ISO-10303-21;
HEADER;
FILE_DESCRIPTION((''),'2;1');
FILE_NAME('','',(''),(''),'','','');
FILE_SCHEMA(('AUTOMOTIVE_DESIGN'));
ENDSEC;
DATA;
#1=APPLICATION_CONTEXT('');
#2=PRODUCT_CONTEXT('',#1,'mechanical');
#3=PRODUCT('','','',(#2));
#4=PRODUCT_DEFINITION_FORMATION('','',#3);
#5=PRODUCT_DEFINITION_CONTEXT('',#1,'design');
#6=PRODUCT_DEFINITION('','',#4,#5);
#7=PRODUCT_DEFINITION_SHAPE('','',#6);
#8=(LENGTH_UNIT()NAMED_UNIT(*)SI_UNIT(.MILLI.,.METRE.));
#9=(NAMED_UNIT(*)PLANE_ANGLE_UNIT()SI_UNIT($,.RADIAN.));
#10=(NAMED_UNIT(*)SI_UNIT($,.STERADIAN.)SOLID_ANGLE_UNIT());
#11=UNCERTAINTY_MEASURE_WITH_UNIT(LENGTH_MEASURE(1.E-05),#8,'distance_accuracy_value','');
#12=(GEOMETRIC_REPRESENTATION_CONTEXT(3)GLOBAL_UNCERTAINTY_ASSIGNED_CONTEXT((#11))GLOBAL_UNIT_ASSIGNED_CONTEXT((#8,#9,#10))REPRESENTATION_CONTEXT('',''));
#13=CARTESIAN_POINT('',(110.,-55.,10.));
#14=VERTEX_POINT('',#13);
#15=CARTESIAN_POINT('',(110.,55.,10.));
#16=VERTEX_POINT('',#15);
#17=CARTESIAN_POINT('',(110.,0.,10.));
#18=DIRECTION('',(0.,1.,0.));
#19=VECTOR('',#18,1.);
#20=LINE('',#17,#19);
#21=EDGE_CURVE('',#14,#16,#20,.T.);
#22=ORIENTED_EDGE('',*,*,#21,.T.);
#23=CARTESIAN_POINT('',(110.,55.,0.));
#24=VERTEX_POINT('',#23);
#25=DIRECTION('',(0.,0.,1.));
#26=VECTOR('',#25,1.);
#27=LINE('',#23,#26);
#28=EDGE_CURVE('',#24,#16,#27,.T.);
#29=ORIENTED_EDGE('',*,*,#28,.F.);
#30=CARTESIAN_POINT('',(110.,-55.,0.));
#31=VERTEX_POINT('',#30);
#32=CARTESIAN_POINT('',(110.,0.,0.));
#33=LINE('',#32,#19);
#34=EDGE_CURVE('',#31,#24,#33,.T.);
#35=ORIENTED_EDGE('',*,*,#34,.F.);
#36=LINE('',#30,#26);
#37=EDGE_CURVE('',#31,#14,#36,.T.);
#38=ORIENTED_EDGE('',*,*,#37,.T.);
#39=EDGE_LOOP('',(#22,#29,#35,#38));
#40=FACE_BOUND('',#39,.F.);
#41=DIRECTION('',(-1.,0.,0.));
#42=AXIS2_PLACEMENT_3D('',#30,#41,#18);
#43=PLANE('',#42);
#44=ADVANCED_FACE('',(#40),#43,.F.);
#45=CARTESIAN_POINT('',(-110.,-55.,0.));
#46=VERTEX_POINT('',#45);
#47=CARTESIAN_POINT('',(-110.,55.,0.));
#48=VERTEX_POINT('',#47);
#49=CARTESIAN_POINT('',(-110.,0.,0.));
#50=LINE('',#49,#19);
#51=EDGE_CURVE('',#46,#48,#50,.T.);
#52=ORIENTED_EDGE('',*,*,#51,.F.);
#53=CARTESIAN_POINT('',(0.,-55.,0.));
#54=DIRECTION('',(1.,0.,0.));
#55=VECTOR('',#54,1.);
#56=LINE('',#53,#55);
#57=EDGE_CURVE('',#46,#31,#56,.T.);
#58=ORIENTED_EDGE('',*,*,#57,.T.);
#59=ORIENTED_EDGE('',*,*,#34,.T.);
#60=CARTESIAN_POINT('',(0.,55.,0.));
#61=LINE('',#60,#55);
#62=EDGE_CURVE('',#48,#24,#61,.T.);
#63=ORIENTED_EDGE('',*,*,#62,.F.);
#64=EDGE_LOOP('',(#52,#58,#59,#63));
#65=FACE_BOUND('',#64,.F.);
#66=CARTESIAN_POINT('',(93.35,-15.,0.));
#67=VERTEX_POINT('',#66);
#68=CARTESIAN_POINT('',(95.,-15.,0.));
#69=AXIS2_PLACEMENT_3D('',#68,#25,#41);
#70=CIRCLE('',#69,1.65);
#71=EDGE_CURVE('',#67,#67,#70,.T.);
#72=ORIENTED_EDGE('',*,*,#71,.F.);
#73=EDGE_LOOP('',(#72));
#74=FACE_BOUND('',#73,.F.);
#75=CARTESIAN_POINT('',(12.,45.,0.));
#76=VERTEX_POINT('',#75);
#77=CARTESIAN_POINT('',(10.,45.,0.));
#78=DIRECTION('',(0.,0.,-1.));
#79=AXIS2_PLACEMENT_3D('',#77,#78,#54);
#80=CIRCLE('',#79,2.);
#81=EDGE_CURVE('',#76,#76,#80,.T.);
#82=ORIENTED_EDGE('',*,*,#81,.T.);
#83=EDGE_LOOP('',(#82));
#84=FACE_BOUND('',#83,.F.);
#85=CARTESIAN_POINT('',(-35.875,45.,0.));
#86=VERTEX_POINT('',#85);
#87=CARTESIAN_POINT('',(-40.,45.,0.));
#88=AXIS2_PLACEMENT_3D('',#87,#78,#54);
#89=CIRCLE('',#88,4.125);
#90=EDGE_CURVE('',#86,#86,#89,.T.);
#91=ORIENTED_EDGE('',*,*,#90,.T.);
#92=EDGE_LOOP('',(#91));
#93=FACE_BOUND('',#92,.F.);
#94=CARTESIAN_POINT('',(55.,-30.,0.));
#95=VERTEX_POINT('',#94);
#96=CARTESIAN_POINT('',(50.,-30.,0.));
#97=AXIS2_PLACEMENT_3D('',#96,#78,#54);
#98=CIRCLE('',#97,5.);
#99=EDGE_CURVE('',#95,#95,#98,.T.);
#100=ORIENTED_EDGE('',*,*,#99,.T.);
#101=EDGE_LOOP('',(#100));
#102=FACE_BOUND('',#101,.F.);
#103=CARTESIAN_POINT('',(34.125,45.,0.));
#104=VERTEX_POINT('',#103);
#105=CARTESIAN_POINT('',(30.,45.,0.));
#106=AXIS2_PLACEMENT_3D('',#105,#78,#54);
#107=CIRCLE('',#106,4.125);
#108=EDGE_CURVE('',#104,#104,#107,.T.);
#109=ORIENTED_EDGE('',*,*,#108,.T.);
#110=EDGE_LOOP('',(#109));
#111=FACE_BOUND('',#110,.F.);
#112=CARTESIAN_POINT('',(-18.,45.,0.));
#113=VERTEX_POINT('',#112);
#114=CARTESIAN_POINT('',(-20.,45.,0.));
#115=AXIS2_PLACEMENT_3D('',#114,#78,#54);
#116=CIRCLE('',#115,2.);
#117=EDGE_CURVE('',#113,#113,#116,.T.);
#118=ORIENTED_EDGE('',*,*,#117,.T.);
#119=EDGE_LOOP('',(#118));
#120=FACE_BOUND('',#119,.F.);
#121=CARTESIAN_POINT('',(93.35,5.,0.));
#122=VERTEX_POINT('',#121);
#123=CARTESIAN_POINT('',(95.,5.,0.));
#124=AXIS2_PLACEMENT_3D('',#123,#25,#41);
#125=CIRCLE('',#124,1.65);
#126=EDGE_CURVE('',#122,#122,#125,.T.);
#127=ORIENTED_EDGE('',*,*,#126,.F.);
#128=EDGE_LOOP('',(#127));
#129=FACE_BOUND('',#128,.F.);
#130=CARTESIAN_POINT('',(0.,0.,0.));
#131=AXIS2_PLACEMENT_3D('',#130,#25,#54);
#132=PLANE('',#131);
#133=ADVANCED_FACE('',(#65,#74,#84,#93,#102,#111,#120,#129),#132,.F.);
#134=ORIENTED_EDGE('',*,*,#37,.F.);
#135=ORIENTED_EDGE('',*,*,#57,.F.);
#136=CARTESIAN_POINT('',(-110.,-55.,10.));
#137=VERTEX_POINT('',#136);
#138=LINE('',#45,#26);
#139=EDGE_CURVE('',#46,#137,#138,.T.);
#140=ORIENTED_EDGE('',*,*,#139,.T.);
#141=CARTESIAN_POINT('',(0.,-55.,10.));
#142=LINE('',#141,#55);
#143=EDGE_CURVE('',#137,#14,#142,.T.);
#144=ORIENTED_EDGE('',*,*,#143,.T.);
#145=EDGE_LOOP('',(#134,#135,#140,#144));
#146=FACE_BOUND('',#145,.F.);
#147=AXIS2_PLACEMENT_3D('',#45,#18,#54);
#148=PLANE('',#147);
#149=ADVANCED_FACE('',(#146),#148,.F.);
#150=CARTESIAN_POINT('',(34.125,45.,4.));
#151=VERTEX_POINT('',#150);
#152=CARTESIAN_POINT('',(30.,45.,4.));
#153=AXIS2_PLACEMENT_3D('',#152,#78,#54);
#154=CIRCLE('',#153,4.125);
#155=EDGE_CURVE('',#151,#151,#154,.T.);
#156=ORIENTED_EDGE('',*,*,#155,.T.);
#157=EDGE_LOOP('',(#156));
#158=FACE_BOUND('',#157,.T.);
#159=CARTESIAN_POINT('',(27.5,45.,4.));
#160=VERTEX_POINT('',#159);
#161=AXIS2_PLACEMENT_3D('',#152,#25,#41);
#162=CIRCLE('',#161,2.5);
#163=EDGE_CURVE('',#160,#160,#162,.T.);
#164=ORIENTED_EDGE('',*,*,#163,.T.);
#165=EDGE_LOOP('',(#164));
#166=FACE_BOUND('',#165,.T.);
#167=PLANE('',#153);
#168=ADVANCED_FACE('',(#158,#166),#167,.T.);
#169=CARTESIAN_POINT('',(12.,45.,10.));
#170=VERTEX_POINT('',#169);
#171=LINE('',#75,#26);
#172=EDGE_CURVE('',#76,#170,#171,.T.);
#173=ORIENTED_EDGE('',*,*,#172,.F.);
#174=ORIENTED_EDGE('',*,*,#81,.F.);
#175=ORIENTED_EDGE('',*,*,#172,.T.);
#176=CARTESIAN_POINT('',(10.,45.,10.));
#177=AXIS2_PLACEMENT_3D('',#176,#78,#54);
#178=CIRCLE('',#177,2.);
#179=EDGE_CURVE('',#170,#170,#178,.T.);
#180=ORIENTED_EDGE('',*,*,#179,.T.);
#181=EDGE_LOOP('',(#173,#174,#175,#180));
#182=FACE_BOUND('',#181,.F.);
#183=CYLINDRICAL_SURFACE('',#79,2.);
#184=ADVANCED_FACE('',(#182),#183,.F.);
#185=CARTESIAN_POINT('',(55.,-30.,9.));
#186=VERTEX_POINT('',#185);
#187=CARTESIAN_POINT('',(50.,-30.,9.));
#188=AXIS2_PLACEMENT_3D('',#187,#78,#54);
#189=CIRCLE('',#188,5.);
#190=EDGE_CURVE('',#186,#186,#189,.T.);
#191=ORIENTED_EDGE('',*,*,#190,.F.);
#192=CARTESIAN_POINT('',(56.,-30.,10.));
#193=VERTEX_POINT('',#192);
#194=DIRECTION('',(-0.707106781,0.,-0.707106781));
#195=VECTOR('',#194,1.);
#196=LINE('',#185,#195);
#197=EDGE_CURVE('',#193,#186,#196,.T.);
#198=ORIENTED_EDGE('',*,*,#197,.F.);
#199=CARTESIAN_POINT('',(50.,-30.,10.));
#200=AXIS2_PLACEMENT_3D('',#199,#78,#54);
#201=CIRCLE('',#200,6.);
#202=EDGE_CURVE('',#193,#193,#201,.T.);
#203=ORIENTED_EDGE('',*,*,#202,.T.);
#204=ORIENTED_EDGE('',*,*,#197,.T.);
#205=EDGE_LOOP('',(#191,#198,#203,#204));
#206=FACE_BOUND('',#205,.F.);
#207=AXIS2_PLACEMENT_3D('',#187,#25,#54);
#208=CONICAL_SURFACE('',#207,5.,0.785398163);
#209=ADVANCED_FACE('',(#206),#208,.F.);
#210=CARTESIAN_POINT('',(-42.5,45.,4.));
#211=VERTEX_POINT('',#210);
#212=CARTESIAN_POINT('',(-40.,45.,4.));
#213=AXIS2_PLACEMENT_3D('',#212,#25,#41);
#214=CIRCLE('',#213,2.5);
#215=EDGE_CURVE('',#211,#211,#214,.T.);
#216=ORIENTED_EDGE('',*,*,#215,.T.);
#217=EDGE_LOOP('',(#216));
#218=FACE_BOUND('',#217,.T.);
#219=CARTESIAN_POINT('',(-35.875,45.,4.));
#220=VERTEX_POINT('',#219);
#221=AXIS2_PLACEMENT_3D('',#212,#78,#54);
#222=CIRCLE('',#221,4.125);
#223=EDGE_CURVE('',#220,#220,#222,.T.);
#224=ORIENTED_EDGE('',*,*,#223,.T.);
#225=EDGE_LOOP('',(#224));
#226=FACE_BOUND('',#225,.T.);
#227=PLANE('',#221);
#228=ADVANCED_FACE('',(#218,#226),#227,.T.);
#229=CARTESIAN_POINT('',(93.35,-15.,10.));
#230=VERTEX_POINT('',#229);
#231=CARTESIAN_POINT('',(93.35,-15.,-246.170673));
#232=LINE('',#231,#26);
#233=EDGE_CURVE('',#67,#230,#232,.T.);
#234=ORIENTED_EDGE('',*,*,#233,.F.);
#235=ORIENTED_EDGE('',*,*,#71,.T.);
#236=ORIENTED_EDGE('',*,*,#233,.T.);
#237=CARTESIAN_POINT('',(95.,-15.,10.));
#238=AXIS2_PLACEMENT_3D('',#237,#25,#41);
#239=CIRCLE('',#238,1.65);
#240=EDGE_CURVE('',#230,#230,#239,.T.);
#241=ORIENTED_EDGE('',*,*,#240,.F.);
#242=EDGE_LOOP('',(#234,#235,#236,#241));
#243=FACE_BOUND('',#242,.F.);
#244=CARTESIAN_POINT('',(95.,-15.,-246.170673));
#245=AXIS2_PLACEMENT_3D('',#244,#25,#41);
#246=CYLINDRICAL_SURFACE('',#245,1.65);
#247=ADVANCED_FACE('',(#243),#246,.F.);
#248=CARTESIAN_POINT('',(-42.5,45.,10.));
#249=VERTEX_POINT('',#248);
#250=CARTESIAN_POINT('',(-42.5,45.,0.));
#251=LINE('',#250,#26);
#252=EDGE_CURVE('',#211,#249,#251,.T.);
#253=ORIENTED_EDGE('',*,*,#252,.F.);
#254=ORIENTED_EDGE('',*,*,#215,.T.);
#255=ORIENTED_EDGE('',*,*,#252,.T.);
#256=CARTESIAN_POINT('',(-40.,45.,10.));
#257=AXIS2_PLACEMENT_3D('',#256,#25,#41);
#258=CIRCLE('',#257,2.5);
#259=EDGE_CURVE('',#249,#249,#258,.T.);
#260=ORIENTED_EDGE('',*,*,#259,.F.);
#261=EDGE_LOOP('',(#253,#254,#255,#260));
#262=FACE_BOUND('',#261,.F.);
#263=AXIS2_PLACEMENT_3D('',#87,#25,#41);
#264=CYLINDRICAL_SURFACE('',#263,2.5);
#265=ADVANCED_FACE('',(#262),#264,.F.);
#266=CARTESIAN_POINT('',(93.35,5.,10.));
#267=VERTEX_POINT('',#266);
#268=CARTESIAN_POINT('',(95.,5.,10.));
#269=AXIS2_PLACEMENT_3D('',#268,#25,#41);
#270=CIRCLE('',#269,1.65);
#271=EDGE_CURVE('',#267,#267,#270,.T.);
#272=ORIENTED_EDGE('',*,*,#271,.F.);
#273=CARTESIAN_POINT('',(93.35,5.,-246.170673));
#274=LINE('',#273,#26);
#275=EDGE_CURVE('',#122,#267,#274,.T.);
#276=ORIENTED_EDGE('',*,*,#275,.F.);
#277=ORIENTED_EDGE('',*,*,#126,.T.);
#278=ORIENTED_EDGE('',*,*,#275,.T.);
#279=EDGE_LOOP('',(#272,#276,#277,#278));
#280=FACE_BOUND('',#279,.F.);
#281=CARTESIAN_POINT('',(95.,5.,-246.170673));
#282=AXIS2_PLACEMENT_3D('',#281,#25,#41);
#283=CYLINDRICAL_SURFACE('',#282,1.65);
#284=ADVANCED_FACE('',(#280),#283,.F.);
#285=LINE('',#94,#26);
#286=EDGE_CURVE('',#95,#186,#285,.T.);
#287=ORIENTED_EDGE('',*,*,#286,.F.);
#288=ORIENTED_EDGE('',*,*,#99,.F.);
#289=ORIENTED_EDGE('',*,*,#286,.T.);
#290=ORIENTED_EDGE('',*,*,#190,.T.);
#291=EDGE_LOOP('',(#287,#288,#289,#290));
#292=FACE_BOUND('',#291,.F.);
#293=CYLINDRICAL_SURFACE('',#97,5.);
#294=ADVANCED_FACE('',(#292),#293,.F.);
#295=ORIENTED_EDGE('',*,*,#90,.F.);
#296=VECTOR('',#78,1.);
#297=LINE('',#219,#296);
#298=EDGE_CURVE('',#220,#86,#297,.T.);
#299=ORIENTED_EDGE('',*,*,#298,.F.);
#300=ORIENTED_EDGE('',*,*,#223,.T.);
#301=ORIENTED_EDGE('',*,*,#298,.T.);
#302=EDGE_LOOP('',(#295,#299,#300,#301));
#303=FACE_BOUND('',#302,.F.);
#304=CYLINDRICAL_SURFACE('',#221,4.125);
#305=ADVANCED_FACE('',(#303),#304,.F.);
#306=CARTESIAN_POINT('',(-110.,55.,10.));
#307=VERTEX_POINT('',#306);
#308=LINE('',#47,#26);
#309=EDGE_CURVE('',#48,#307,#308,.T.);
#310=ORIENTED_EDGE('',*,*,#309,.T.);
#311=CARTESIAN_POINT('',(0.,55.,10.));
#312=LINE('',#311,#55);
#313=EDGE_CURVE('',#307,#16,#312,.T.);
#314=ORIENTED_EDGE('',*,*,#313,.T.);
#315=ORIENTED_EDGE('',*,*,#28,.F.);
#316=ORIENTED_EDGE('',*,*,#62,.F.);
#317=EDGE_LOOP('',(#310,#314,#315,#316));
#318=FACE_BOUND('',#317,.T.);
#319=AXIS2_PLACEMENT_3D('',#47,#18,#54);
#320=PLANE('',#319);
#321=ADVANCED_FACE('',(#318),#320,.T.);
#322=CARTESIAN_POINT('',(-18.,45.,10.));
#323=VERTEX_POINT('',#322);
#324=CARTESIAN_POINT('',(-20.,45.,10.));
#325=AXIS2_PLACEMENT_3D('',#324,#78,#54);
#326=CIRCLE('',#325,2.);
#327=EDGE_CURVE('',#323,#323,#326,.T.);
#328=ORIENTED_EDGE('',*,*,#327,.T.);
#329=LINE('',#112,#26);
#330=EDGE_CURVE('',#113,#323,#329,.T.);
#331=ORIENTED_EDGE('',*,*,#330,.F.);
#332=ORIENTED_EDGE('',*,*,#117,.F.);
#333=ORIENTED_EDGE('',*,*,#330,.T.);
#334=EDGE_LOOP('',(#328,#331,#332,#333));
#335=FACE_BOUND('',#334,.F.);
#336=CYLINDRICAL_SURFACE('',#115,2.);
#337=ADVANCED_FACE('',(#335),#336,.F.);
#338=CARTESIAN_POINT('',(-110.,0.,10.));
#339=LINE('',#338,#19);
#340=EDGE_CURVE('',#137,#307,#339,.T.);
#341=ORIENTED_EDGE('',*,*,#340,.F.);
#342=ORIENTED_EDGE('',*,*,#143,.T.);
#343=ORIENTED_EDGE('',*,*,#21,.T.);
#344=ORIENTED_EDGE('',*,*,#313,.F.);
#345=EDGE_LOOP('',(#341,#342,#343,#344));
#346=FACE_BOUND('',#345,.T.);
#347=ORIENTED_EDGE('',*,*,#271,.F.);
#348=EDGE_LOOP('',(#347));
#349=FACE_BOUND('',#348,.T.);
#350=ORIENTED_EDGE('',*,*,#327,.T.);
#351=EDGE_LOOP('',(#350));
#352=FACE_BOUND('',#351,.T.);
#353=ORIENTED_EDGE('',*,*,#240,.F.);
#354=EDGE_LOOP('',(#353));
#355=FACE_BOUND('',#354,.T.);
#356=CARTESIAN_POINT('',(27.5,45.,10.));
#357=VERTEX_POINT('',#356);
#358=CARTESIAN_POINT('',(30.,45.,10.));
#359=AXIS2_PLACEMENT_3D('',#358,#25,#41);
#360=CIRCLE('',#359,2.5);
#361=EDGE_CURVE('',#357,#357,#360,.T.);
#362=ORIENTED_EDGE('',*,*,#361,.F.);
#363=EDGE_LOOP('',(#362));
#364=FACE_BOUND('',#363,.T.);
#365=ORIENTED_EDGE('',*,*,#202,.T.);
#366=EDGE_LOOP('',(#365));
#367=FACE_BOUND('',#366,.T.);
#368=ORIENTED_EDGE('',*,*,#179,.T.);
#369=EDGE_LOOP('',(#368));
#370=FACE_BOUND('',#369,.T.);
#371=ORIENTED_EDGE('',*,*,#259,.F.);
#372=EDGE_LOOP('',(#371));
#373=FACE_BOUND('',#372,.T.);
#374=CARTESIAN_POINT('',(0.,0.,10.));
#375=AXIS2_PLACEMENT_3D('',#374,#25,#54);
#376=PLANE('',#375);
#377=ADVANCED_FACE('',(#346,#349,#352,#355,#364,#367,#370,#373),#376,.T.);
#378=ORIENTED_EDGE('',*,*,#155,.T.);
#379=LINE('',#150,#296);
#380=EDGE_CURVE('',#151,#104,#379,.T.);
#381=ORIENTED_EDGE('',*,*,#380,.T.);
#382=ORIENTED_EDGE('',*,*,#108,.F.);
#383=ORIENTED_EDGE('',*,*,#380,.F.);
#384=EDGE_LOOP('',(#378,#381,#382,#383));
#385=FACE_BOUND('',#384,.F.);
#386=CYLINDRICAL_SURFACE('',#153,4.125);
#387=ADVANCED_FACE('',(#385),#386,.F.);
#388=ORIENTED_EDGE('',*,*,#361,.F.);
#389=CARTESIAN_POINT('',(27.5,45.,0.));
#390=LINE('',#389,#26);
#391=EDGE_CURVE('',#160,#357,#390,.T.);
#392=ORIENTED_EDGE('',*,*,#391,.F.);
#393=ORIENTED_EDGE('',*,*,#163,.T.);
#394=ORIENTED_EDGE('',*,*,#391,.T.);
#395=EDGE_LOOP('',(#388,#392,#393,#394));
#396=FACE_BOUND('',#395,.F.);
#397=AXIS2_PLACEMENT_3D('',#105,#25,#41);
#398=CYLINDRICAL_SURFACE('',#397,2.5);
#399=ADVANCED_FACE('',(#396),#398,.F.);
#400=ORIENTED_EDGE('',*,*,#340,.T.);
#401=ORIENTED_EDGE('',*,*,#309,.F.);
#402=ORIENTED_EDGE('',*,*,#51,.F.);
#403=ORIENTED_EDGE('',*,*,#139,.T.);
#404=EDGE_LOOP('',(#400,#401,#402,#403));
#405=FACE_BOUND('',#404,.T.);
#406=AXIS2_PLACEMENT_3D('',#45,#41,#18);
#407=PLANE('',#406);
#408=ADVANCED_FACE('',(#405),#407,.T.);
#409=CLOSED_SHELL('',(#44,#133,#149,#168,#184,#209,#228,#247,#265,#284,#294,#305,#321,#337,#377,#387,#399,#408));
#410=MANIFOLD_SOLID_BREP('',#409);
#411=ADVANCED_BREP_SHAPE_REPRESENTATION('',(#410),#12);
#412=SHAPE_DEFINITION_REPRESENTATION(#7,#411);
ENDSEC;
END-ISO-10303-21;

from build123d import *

# Parameters (mm, degrees)
F0_W           = 220
F0_H           = 110
F1_DEPTH       = 10
F2_R           = 5
F2_R_2         = 2
F3_DEPTH       = 10.001
F4_D           = 3.3
F5_D           = 5
F5_CBORE_D     = 8.25
F5_CBORE_DEPTH = 4
F6_SIZE        = 1


with BuildPart() as f1:
    # F0 (on Top) → F1 (new body)
    with BuildSketch(Plane.XY):
        Rectangle(F0_W, F0_H)
    extrude(amount=F1_DEPTH)

    # F2 (on face) → F3 (cut, through all)
    with BuildSketch(Plane(origin=(0, 0, 0), x_dir=(1, 0, 0), z_dir=(0, 0, -1))):
        with Locations((50, 30)):
            Circle(F2_R)
        with Locations((-20, -45)):
            Circle(F2_R_2)
        with Locations((10, -45)):
            Circle(F2_R_2)
    extrude(amount=-F3_DEPTH, mode=Mode.SUBTRACT)

    # F4 (through all)
    with Locations(Plane(origin=(0, 0, 0), x_dir=(1, 0, 0), z_dir=(0, 0, -1))):
        with Locations((95, -5), (95, 15)):
            Hole(F4_D / 2)

    # F5 (through all)
    with Locations(Plane(origin=(0, 0, 0), x_dir=(1, 0, 0), z_dir=(0, 0, -1))):
        with Locations((-40, -45), (30, -45)):
            CounterBoreHole(F5_D / 2, F5_CBORE_D / 2, F5_CBORE_DEPTH)

    # F6
    f6_edges = [f1.edges().sort_by_distance(p)[0] for p in [
        (45, -30, 10),
    ]]
    chamfer(f6_edges, length=F6_SIZE)


solid = f1.part
